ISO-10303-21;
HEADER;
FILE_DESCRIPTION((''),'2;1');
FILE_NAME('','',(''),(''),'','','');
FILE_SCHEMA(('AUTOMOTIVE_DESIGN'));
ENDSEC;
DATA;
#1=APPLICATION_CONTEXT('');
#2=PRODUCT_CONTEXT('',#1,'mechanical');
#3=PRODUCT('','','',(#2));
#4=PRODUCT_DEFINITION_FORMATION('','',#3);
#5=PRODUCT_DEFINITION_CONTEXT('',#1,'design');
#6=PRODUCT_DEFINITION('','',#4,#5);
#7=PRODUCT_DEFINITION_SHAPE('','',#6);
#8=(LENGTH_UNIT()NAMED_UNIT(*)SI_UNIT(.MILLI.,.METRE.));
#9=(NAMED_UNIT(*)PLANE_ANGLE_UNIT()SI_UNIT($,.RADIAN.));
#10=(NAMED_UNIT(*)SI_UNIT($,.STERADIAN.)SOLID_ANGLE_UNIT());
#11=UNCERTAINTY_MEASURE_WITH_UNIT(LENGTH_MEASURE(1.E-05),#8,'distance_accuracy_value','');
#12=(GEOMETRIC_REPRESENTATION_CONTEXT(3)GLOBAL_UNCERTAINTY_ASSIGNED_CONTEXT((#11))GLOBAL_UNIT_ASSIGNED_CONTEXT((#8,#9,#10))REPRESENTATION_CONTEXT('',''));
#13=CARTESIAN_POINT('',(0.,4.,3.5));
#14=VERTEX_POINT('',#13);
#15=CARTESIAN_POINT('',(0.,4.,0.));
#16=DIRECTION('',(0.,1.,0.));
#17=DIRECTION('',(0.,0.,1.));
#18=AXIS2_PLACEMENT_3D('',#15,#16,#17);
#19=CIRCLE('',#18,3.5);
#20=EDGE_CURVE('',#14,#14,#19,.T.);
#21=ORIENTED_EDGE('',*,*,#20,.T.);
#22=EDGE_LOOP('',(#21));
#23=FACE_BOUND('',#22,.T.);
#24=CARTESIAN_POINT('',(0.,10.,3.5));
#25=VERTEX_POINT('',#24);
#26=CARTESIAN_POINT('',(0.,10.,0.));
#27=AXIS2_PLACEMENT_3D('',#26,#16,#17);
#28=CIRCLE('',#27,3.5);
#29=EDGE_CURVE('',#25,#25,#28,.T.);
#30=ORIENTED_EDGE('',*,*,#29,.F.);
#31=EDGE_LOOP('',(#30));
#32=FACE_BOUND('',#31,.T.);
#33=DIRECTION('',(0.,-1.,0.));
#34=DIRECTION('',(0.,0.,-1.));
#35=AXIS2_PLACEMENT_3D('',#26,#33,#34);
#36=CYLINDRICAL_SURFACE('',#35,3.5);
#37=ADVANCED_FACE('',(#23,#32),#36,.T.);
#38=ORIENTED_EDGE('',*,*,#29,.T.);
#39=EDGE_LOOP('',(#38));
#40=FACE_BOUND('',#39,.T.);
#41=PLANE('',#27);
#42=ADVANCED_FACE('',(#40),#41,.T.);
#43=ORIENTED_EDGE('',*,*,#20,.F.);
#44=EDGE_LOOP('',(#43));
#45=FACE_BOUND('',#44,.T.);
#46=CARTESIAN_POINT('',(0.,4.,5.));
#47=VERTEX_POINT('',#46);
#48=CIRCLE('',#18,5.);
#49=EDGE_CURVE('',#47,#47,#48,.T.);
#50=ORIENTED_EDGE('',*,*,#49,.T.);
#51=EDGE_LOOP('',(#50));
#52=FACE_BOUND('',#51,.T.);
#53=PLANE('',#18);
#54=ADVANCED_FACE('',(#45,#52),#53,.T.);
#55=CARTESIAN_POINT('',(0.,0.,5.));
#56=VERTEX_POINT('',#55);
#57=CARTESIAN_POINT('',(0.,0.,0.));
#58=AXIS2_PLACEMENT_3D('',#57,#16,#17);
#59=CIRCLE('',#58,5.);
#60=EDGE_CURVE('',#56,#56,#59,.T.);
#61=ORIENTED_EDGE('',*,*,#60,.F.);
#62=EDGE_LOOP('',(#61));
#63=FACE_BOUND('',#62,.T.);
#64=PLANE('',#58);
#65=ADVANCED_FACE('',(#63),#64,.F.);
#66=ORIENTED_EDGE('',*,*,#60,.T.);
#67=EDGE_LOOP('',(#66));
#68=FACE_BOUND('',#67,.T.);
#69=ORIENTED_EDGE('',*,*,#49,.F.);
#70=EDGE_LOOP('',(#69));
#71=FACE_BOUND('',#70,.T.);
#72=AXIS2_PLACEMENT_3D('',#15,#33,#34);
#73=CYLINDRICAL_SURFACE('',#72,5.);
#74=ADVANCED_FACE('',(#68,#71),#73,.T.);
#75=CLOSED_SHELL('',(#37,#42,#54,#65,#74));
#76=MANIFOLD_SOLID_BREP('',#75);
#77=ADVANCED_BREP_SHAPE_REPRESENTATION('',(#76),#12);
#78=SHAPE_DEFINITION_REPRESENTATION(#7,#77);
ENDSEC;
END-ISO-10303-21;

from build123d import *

# Parameters (mm, degrees)
SKETCH1_R           = 5
BOSS_EXTRUDE1_DEPTH = 4
SKETCH2_R           = 3.5
BOSS_EXTRUDE2_DEPTH = 6


with BuildPart() as part:
    # Sketch1 → Boss-Extrude1 (new body)
    with BuildSketch(Plane(origin=(0, 0, 0), x_dir=(1, 0, 0), z_dir=(0, 1, 0))):
        Circle(SKETCH1_R)
    extrude(amount=BOSS_EXTRUDE1_DEPTH)

    # Sketch2 → Boss-Extrude2 (add)
    with BuildSketch(Plane(origin=(0, 4, 0), x_dir=(1, 0, 0), z_dir=(0, 1, 0))):
        Circle(SKETCH2_R)
    extrude(amount=BOSS_EXTRUDE2_DEPTH)


solid = part.part
